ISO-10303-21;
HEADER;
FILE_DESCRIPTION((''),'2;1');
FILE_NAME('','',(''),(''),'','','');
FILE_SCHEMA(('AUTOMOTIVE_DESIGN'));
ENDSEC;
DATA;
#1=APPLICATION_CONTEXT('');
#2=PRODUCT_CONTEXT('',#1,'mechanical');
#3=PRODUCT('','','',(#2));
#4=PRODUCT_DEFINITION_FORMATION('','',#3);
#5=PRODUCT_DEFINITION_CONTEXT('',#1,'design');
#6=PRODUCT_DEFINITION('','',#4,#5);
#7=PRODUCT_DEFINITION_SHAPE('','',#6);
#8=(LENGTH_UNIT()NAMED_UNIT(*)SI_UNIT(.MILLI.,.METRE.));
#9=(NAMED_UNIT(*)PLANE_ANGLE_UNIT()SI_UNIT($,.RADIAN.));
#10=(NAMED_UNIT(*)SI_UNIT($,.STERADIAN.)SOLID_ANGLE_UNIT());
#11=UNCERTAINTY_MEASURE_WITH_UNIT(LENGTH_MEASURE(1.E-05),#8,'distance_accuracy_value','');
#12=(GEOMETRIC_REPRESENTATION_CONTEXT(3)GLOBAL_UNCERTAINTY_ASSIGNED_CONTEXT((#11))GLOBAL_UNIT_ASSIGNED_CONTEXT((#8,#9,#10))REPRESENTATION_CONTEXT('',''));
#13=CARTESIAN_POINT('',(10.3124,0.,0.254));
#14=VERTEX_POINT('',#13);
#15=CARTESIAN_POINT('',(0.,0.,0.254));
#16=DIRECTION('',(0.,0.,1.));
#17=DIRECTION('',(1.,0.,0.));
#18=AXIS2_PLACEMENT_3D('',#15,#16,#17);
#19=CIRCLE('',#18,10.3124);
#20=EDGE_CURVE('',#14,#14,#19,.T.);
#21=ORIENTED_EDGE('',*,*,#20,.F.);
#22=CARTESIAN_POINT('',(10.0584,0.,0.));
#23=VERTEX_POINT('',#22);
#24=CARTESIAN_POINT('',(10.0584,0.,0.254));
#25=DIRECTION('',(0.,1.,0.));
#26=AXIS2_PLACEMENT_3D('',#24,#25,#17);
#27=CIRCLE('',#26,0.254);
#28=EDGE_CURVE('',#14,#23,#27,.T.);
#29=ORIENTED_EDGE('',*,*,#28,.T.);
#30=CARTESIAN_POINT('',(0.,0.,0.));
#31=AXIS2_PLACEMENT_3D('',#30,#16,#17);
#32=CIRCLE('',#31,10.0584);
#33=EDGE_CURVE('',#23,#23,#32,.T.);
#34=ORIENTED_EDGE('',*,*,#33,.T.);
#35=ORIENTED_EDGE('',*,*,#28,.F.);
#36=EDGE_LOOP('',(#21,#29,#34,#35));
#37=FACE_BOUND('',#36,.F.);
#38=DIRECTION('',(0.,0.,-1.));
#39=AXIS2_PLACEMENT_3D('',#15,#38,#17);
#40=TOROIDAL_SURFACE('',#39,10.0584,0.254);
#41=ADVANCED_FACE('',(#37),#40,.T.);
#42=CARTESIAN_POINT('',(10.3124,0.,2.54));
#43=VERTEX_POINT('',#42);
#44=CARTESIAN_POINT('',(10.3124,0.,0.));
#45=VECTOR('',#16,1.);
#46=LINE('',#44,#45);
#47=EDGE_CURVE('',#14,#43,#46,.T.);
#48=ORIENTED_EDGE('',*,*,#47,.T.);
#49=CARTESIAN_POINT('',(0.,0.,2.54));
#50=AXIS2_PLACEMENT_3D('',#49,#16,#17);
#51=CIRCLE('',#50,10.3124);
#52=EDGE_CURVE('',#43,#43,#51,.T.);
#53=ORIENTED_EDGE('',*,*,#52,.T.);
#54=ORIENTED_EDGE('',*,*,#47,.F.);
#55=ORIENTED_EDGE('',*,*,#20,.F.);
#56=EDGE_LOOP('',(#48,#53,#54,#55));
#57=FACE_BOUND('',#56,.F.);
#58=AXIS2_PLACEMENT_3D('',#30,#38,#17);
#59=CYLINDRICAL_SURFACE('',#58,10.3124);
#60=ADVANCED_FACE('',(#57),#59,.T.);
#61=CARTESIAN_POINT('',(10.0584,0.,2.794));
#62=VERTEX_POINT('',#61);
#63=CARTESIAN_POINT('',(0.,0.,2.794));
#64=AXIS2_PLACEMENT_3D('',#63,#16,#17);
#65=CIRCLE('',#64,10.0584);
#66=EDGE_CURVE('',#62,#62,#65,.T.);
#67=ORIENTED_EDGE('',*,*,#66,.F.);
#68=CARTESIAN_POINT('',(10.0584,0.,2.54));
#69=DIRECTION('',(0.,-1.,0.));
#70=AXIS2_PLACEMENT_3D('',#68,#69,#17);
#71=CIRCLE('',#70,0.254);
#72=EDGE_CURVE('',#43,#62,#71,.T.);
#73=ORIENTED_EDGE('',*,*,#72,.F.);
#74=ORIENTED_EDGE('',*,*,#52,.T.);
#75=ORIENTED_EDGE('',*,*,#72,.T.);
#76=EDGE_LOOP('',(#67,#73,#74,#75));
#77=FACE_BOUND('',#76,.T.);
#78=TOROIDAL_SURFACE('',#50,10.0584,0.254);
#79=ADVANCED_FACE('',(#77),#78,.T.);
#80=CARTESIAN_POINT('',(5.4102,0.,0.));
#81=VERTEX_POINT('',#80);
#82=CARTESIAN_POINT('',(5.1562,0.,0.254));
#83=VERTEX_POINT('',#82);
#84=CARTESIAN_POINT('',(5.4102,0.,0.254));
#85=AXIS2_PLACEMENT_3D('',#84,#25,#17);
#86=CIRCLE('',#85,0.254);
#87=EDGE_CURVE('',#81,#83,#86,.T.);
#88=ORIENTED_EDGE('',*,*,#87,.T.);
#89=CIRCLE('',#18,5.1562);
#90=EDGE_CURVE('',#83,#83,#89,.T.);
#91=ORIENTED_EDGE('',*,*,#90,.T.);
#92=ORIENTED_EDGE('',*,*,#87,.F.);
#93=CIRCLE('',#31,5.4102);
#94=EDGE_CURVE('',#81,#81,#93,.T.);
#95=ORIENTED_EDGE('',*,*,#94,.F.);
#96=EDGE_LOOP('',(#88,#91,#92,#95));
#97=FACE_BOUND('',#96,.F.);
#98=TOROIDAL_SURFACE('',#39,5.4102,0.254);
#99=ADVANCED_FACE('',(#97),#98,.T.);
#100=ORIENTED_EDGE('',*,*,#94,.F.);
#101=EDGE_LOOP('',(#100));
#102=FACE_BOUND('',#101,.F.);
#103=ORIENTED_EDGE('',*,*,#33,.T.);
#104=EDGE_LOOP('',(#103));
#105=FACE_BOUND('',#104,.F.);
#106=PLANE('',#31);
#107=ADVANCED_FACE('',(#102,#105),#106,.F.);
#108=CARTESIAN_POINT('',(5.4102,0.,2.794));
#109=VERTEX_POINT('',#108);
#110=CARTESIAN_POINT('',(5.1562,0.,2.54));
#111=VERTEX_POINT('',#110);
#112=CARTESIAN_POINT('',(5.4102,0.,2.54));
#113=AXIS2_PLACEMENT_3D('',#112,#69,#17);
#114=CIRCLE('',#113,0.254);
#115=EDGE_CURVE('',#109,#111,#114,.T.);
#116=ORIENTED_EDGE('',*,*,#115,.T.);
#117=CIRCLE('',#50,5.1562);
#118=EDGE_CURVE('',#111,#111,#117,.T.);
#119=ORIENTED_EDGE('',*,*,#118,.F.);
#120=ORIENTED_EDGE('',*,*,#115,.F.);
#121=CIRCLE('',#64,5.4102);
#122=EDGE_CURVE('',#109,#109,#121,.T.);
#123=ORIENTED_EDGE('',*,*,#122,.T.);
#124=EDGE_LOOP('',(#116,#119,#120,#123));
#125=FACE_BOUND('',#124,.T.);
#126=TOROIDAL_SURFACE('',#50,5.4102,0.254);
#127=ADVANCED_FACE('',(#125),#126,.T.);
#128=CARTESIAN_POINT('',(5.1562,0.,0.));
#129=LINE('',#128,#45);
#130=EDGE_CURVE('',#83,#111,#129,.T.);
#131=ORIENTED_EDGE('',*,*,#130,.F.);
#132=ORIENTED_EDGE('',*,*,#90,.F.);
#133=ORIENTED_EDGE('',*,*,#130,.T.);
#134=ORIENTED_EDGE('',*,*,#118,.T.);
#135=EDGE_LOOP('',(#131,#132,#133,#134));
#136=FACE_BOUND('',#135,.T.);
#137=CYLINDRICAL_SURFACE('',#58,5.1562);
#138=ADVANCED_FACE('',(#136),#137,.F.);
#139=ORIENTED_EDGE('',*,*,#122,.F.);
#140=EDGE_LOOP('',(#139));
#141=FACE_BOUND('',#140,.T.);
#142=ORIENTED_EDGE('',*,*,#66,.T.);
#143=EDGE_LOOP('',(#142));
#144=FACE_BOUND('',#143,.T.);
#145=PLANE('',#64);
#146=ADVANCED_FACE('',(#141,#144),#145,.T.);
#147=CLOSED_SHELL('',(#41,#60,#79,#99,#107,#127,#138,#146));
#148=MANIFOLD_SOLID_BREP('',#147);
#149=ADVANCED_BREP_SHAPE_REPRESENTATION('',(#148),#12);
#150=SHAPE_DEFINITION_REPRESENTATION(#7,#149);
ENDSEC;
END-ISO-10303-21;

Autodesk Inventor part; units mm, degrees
ref_plane "YZ Plane" through (0, 0, 0) normal (1, 0, 0) x (0, 1, 0)
ref_plane "XZ Plane" through (0, 0, 0) normal (0, 1, 0) x (-1, 0, 0)
ref_plane "XY Plane" through (0, 0, 0) normal (0, 0, 1) x (1, 0, 0)
sketch "Sketch1" plane through (0, 0, 0) normal (0, 0, 1) x (1, 0, 0)
  circle A0 centre (0, 0) radius 5.1562
  circle A1 centre (0, 0) radius 10.3124
  dimension "d0" = 10.3124
  dimension "d1" = 20.6248
extrude "Extrusion1" add sketch "Sketch1" along normal blind 2.794
fillet "Fillet1" radius 0.254 2 edges at (-10.3124, 0, 2.794) (-10.3124, 0, 0)
fillet "Fillet2" radius 0.254 2 edges at (-5.1562, 0, 2.794) (-5.1562, 0, 0)
properties part number "375 washer structural 112 thick" material "Steel"
